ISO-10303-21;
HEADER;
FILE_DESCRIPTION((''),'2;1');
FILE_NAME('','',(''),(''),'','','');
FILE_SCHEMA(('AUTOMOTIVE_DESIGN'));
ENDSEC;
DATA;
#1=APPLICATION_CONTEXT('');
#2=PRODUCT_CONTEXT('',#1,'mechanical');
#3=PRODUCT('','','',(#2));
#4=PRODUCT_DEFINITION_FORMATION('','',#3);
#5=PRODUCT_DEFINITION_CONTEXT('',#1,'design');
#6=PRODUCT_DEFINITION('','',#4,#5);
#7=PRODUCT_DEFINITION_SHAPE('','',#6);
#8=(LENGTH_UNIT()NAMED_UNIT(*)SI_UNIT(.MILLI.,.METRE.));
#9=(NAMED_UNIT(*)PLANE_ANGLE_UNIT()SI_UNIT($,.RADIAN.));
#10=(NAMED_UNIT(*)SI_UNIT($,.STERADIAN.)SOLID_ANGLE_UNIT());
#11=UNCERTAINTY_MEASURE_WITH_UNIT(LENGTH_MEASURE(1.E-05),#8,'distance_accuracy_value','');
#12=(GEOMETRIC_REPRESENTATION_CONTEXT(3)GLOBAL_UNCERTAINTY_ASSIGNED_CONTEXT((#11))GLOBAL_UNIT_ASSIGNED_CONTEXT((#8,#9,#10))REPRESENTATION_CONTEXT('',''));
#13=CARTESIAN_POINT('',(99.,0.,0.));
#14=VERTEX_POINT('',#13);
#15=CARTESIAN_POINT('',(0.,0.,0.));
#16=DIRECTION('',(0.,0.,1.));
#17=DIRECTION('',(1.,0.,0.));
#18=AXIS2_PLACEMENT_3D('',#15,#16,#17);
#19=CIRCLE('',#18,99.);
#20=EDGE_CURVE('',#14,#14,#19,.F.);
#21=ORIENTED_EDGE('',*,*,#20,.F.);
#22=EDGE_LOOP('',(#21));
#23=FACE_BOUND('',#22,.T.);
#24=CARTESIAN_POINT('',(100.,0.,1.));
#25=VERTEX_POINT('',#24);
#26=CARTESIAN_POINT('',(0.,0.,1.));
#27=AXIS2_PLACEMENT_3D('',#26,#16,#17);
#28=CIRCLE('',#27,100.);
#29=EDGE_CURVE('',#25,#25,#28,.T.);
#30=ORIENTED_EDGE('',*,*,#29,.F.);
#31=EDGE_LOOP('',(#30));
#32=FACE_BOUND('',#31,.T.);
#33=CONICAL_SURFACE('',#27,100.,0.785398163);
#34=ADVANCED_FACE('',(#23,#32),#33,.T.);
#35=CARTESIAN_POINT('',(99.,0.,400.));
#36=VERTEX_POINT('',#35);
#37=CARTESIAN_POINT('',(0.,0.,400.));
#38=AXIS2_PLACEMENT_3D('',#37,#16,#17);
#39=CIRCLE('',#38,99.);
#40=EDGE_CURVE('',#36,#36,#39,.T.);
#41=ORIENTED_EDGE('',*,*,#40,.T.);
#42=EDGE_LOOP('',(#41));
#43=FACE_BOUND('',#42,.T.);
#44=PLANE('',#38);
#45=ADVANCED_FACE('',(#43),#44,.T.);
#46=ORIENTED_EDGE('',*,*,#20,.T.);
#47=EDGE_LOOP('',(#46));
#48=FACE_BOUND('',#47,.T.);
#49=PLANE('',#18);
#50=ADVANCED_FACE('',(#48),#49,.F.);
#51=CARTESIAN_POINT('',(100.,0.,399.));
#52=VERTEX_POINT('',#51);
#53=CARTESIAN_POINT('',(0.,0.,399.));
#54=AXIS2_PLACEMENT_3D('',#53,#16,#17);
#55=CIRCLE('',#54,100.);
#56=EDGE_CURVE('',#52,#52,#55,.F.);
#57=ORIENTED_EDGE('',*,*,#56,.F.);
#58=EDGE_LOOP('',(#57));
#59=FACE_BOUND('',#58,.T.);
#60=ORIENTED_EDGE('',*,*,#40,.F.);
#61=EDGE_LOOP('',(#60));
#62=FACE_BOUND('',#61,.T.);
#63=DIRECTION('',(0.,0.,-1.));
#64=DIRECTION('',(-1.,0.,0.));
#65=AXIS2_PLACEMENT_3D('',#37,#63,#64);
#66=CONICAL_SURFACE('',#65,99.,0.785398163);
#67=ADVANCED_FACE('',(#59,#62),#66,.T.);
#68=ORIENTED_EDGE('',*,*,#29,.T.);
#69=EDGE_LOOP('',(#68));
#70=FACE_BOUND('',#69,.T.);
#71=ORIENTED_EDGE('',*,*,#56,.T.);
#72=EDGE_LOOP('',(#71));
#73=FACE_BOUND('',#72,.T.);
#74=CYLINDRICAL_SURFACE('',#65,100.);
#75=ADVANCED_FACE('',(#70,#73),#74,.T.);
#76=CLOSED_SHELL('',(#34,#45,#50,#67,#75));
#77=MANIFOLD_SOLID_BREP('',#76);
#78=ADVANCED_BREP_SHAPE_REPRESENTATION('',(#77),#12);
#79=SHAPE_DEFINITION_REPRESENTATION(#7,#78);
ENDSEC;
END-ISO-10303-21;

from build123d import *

# Parameters (mm, degrees)
SKETCH1_R           = 100
BOSS_EXTRUDE1_DEPTH = 400
CHAMFER1_SIZE       = 1


with BuildPart() as part:
    # Sketch1 → Boss-Extrude1 (new body)
    with BuildSketch(Plane.XY):
        Circle(SKETCH1_R)
    extrude(amount=BOSS_EXTRUDE1_DEPTH)

    # Chamfer1
    chamfer1_edges = [part.edges().sort_by_distance(p)[0] for p in [
        (-100, 0, 0),
        (-100, 0, 400),
    ]]
    chamfer(chamfer1_edges, length=CHAMFER1_SIZE)


solid = part.part
